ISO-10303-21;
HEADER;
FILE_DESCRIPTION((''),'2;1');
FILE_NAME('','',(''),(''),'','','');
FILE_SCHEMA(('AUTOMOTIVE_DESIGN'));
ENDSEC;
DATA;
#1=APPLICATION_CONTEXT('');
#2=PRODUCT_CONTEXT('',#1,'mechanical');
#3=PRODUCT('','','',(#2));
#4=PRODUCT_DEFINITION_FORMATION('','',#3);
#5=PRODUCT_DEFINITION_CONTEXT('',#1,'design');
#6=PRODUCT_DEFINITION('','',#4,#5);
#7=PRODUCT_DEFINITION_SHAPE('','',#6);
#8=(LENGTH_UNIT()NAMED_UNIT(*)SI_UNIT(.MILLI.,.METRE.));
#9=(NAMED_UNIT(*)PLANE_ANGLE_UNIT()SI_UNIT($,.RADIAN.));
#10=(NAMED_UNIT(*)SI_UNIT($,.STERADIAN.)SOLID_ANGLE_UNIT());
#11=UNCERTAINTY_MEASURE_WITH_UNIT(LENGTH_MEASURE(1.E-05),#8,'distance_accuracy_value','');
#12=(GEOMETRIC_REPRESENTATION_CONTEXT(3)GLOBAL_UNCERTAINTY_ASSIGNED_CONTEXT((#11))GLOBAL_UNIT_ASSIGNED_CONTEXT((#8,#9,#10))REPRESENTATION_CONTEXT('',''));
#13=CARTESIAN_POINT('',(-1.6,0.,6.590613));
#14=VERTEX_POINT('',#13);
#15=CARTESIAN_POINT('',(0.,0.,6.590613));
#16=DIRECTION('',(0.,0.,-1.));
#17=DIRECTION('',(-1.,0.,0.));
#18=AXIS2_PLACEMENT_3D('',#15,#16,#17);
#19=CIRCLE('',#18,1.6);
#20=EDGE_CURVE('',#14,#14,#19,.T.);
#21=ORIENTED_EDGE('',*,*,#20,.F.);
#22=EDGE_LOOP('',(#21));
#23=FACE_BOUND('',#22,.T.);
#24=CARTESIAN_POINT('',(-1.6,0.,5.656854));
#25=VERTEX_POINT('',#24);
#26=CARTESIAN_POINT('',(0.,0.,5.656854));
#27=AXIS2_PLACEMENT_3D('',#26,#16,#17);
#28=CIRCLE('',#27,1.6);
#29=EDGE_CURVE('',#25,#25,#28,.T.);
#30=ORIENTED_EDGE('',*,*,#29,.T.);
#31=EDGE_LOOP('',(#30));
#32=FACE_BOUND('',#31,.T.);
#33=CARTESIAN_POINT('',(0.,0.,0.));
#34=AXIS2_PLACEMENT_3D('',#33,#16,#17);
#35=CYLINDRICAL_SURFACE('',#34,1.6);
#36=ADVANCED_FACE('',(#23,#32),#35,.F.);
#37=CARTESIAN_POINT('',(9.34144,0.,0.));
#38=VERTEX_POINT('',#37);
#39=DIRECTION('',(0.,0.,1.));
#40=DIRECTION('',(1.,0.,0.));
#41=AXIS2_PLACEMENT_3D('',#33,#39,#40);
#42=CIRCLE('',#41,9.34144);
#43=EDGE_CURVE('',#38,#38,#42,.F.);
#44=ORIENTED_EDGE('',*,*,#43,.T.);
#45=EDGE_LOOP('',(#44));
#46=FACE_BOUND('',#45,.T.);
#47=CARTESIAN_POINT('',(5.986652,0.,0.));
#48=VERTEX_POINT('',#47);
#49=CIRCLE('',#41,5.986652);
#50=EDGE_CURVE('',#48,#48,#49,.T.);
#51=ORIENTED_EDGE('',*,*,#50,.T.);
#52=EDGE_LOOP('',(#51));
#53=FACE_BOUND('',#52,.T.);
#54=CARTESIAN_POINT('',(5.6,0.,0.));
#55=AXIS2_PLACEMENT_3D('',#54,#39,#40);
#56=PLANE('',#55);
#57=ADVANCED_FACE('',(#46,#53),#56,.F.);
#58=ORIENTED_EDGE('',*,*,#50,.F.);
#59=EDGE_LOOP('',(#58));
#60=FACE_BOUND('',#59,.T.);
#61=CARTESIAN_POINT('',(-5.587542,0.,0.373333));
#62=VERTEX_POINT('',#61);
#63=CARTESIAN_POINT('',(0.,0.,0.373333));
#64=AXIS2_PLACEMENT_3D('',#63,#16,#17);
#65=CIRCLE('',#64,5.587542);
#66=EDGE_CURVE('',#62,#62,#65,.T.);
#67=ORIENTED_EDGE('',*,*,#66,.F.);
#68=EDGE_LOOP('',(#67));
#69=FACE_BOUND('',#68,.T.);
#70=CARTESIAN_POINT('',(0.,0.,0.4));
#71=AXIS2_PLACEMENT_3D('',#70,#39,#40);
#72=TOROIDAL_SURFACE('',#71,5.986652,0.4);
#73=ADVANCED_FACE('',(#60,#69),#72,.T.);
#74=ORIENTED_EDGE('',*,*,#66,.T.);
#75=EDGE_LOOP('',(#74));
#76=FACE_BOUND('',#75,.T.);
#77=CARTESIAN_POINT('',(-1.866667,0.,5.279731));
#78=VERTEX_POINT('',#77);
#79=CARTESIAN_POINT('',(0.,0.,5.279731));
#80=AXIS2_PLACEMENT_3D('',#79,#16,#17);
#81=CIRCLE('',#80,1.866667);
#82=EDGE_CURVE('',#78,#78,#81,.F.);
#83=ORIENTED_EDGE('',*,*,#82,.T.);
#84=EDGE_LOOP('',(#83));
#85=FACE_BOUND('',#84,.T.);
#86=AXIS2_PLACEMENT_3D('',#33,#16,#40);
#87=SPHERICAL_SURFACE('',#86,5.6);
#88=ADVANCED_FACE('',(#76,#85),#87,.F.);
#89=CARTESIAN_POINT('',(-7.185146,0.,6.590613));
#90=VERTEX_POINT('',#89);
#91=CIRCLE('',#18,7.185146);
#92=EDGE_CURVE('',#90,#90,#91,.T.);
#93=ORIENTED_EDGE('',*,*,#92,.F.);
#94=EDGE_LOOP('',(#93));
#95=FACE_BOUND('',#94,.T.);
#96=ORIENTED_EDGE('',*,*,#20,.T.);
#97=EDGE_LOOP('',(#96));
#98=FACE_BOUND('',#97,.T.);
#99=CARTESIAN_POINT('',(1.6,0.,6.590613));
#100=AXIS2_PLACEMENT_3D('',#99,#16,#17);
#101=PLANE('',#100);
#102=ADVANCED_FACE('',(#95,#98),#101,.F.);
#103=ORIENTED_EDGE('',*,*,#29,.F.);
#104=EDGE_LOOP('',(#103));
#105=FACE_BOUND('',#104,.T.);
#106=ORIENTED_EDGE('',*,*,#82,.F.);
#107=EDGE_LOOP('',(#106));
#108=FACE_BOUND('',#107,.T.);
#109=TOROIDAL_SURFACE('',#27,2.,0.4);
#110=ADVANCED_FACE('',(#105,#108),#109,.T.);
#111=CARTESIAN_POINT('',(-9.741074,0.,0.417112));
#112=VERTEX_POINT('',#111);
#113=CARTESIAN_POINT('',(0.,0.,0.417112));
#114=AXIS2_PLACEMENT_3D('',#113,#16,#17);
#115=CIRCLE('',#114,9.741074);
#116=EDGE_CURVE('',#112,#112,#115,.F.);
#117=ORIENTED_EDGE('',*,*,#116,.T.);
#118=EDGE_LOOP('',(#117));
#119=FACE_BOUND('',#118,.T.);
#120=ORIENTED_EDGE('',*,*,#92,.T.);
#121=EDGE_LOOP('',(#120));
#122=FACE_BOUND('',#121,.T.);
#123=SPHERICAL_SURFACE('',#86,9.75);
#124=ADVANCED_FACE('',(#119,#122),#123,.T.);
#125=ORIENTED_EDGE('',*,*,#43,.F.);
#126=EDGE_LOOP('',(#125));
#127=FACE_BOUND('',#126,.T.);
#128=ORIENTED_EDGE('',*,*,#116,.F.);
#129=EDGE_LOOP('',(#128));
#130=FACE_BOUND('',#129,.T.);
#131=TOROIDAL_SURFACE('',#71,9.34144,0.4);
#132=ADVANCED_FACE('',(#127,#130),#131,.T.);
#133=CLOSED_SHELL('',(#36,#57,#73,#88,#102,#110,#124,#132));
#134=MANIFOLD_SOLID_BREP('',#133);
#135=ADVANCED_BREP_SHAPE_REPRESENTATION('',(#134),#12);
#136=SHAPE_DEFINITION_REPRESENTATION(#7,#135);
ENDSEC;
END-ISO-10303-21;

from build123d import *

# Parameters (mm, degrees)
BOTTOM_FILLET_R      = 0.4
CENTER_HOLE_FILLET_R = 0.4


with BuildPart() as part:
    # Sketch2 → Main Body (revolve)
    with BuildSketch(Plane(origin=(0, 0, 0), x_dir=(1, 0, 0), z_dir=(0, 1, 0))):
        with BuildLine():
            Line((5.6, 0), (9.75, 0))
            ThreePointArc((9.75, 0), (9.086189349, -3.536051911), (7.185146027, -6.590612761))
            Line((7.185146027, -6.590612761), (1.6, -6.590612761))
            Line((1.6, -6.590612761), (1.6, -5.366563146))
            ThreePointArc((1.6, -5.366563146), (4.489988864, -3.346640106), (5.6, 0))
        make_face()
    revolve(axis=Axis((0, 0, 0), (0, 0, 1)))

    # Bottom Fillet
    bottom_fillet_edges = [part.edges().sort_by_distance(p)[0] for p in [
        (-5.6, 0, 0),
        (-9.75, 0, 0),
    ]]
    fillet(bottom_fillet_edges, radius=BOTTOM_FILLET_R)

    # Center Hole Fillet
    center_hole_fillet_edges = [part.edges().sort_by_distance(p)[0] for p in [
        (-1.6, 0, 5.366563146),
    ]]
    fillet(center_hole_fillet_edges, radius=CENTER_HOLE_FILLET_R)


solid = part.part
